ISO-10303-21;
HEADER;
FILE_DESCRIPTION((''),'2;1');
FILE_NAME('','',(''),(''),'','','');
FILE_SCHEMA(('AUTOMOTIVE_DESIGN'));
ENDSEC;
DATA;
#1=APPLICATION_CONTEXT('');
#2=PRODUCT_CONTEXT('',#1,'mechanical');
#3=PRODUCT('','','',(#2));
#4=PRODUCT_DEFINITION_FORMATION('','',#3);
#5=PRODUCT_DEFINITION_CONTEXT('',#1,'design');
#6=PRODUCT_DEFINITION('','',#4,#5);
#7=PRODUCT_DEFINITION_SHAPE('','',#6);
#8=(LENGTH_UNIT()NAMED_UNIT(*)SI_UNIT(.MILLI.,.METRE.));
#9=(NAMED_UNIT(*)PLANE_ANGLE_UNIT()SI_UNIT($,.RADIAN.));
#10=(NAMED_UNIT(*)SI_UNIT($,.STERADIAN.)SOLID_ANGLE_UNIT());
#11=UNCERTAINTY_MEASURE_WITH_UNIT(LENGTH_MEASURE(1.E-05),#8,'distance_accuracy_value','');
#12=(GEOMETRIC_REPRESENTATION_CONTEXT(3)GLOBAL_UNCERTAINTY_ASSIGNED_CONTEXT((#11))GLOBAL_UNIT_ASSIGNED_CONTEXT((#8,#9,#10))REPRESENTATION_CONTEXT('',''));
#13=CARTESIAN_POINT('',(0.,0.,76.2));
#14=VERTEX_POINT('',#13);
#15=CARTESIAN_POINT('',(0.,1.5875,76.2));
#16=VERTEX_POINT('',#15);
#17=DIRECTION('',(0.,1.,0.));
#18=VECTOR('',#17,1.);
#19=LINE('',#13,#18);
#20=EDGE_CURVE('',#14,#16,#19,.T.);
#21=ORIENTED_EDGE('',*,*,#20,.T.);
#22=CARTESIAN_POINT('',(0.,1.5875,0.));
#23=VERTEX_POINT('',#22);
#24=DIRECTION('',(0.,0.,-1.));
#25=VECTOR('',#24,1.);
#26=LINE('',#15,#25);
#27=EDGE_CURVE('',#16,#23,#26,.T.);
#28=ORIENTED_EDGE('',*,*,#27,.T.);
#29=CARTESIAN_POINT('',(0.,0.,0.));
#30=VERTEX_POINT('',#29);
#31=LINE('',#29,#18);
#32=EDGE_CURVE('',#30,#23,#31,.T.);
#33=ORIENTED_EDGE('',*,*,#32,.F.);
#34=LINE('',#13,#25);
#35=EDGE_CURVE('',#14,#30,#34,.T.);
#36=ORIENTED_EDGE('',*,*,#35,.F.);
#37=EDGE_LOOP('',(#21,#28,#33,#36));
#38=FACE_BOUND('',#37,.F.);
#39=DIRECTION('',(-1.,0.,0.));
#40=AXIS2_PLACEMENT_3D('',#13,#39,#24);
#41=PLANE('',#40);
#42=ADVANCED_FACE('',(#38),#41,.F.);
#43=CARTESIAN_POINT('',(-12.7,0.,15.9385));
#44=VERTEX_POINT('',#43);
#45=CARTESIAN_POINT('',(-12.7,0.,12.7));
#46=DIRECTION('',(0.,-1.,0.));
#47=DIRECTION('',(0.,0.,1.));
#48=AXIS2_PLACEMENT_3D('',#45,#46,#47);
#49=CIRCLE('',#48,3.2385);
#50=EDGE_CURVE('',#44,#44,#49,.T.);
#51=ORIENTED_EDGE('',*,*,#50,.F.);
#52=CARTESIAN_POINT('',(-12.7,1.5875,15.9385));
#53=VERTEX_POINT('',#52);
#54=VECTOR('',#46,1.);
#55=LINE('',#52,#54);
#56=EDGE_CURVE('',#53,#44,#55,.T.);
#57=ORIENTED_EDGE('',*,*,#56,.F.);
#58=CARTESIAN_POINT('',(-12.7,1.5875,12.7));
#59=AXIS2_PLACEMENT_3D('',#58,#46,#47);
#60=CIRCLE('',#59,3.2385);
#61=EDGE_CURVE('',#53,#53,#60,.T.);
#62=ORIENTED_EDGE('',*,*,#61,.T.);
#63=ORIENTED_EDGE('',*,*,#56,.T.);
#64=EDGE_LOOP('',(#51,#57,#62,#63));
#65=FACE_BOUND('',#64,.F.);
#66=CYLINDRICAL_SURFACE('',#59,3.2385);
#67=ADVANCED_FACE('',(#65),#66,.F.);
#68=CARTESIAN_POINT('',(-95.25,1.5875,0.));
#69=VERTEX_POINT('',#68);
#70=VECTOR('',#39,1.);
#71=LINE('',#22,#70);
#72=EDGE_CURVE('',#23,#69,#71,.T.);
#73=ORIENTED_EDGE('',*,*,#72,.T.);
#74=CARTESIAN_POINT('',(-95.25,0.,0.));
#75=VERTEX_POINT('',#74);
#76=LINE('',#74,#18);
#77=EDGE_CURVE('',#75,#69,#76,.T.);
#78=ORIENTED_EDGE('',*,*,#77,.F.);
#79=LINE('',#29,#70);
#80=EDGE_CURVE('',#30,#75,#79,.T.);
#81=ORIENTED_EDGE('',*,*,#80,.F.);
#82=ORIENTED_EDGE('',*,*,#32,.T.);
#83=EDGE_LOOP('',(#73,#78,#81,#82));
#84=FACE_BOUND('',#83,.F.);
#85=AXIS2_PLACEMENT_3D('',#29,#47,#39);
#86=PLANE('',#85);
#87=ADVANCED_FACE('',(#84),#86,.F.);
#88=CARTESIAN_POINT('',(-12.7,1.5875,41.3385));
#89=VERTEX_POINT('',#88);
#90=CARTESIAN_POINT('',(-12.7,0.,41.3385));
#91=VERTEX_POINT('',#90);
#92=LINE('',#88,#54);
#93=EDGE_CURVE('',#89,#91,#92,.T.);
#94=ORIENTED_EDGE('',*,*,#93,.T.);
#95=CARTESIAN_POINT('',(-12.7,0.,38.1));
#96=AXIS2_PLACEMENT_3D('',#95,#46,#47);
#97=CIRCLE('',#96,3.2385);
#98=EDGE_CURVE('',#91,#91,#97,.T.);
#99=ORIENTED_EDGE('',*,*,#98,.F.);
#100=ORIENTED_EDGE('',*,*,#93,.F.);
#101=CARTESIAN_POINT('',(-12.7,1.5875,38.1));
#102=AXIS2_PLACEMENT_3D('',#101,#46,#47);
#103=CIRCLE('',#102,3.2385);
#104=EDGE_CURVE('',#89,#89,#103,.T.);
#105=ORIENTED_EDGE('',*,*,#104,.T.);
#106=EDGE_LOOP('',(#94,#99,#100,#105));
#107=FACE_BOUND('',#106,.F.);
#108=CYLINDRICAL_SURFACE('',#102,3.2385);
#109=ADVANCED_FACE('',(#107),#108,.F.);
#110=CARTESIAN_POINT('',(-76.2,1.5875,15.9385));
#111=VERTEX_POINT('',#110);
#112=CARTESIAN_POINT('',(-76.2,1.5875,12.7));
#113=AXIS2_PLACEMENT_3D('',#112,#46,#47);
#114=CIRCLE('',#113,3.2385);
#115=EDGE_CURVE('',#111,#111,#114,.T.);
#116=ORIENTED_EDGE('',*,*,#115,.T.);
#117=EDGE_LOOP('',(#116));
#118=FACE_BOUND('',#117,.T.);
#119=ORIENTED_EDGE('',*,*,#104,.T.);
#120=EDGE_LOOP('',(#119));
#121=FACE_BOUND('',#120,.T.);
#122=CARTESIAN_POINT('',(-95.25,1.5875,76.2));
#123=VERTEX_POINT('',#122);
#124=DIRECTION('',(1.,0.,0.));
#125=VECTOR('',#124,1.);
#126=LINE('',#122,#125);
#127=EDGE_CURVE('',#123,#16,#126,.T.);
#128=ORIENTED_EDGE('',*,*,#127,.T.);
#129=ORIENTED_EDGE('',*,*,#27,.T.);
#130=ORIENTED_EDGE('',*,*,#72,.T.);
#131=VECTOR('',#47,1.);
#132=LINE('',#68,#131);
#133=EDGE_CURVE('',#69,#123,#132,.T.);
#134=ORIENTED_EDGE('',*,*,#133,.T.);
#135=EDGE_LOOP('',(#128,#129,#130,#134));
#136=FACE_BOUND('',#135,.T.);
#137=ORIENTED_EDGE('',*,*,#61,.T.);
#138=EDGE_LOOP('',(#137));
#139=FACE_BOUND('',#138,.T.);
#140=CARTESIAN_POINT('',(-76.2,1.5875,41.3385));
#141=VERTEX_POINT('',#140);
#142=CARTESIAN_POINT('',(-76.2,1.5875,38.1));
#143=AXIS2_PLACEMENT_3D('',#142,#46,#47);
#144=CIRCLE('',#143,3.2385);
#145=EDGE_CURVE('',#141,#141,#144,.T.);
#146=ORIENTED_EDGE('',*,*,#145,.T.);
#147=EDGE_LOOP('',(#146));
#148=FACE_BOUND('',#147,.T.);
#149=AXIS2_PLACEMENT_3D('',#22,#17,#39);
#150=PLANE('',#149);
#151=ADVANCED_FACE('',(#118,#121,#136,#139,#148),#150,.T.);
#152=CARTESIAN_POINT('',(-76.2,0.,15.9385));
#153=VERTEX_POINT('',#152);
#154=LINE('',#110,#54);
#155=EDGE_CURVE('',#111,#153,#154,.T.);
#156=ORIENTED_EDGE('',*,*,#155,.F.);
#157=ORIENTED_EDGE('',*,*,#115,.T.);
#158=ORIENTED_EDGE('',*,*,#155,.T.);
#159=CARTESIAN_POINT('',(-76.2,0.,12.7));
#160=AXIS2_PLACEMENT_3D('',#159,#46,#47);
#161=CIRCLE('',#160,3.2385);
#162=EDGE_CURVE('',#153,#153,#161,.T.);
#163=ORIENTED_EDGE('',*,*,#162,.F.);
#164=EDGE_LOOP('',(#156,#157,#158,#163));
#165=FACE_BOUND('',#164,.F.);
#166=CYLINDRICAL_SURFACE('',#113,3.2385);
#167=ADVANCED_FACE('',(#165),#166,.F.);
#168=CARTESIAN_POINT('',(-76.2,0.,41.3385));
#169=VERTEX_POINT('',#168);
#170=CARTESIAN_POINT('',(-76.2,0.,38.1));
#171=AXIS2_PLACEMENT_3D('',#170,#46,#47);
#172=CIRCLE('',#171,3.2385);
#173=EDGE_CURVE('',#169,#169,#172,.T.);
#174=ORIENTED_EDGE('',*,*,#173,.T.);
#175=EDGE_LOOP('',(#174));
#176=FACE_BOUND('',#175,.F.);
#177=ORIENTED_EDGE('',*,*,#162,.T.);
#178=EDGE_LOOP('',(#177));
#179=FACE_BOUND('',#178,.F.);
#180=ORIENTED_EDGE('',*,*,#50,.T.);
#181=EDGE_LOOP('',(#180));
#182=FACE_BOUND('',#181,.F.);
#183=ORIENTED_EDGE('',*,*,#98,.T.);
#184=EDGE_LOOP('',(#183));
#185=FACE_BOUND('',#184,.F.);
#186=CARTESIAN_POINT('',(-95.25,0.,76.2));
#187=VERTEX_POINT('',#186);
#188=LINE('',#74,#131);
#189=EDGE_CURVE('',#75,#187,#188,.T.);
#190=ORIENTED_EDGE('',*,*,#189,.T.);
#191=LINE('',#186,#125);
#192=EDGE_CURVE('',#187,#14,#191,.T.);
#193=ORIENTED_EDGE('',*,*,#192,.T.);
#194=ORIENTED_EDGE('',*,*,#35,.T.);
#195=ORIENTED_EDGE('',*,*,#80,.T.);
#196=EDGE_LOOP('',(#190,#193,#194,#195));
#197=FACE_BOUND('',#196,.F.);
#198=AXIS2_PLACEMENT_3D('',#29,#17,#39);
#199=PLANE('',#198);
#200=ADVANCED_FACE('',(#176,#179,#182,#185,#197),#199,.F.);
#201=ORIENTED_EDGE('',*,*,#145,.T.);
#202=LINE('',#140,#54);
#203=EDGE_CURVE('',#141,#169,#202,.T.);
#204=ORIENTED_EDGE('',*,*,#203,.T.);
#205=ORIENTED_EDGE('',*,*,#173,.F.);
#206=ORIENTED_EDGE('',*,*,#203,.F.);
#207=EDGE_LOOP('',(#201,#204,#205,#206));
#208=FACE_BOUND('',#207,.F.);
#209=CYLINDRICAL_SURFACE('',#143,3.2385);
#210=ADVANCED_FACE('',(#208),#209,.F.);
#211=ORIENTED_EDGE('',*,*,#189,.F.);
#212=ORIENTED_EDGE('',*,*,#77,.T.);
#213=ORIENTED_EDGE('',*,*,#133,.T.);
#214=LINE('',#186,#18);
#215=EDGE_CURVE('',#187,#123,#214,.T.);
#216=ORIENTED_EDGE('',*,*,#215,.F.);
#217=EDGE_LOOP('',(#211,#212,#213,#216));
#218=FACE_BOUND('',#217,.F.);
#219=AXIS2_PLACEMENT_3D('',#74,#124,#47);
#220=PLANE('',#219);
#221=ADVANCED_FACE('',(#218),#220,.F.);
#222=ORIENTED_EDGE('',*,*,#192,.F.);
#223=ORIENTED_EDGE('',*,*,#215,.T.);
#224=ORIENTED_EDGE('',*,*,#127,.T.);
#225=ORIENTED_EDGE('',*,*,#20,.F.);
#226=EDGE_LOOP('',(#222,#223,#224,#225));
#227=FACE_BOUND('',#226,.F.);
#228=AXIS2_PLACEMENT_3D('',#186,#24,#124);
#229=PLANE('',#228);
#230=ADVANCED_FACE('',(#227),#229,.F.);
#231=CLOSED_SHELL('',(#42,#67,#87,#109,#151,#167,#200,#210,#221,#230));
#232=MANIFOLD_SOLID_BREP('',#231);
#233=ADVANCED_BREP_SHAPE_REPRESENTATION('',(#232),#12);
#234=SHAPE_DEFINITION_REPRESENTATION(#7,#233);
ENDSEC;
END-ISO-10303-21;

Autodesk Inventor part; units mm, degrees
ref_plane "YZ Plane" through (0, 0, 0) normal (1, 0, 0) x (0, 1, 0)
ref_plane "XZ Plane" through (0, 0, 0) normal (0, 1, 0) x (-1, 0, 0)
ref_plane "XY Plane" through (0, 0, 0) normal (0, 0, 1) x (1, 0, 0)
sketch "Sketch1" plane through (0, 0, 0) normal (0, 1, 0) x (-1, 0, 0)
  line L0 (0, 0) -> (95.25, 0)
  line L1 (95.25, 0) -> (95.25, 76.2)
  line L2 (95.25, 76.2) -> (0, 76.2)
  line L3 (0, 76.2) -> (0, 0)
  point P0 (76.2, 12.7)
  point P1 (12.7, 13.1017)
  point P2 (76.2, 38.1)
  point P3 (12.7, 38.1)
  dimension "d0" = 95.25
  dimension "d1" = 76.2
  dimension "d14" = 12.7
  dimension "d15" = 19.05
  dimension "d16" = 63.5
  dimension "d29" = 19.05
  dimension "d30" = 38.1
  dimension "d31" = 63.5
extrude "Extrusion2" add sketch "Sketch1" along normal blind 1.5875
sketch "Sketch3" plane through (0, 1.5875, 0) normal (0, 1, 0) x (1, 0, 0)
  line L0 (0, 0) -> (-95.25, 0) projected
  line L1 (-95.25, 0) -> (-95.25, -76.2) projected
  point P0 (-76.2, -12.7)
  point P1 (-12.7, -12.7)
  point P2 (-76.2, -38.1)
  point P3 (-12.7, -38.1)
  dimension "d19" = 19.05
  dimension "d20" = 12.7
  dimension "d21" = 63.5
  dimension "d32" = 25.4
  dimension "d33" = 63.5
  dimension "d34" = 19.05
hole "Hole3" at (-76.2, 1.5875, 12.7) at (-12.7, 1.5875, 12.7) at (-76.2, 1.5875, 38.1) at (-12.7, 1.5875, 38.1) direction (0, -1, 0) diameter 6.477 end through all
properties part number "slider"
